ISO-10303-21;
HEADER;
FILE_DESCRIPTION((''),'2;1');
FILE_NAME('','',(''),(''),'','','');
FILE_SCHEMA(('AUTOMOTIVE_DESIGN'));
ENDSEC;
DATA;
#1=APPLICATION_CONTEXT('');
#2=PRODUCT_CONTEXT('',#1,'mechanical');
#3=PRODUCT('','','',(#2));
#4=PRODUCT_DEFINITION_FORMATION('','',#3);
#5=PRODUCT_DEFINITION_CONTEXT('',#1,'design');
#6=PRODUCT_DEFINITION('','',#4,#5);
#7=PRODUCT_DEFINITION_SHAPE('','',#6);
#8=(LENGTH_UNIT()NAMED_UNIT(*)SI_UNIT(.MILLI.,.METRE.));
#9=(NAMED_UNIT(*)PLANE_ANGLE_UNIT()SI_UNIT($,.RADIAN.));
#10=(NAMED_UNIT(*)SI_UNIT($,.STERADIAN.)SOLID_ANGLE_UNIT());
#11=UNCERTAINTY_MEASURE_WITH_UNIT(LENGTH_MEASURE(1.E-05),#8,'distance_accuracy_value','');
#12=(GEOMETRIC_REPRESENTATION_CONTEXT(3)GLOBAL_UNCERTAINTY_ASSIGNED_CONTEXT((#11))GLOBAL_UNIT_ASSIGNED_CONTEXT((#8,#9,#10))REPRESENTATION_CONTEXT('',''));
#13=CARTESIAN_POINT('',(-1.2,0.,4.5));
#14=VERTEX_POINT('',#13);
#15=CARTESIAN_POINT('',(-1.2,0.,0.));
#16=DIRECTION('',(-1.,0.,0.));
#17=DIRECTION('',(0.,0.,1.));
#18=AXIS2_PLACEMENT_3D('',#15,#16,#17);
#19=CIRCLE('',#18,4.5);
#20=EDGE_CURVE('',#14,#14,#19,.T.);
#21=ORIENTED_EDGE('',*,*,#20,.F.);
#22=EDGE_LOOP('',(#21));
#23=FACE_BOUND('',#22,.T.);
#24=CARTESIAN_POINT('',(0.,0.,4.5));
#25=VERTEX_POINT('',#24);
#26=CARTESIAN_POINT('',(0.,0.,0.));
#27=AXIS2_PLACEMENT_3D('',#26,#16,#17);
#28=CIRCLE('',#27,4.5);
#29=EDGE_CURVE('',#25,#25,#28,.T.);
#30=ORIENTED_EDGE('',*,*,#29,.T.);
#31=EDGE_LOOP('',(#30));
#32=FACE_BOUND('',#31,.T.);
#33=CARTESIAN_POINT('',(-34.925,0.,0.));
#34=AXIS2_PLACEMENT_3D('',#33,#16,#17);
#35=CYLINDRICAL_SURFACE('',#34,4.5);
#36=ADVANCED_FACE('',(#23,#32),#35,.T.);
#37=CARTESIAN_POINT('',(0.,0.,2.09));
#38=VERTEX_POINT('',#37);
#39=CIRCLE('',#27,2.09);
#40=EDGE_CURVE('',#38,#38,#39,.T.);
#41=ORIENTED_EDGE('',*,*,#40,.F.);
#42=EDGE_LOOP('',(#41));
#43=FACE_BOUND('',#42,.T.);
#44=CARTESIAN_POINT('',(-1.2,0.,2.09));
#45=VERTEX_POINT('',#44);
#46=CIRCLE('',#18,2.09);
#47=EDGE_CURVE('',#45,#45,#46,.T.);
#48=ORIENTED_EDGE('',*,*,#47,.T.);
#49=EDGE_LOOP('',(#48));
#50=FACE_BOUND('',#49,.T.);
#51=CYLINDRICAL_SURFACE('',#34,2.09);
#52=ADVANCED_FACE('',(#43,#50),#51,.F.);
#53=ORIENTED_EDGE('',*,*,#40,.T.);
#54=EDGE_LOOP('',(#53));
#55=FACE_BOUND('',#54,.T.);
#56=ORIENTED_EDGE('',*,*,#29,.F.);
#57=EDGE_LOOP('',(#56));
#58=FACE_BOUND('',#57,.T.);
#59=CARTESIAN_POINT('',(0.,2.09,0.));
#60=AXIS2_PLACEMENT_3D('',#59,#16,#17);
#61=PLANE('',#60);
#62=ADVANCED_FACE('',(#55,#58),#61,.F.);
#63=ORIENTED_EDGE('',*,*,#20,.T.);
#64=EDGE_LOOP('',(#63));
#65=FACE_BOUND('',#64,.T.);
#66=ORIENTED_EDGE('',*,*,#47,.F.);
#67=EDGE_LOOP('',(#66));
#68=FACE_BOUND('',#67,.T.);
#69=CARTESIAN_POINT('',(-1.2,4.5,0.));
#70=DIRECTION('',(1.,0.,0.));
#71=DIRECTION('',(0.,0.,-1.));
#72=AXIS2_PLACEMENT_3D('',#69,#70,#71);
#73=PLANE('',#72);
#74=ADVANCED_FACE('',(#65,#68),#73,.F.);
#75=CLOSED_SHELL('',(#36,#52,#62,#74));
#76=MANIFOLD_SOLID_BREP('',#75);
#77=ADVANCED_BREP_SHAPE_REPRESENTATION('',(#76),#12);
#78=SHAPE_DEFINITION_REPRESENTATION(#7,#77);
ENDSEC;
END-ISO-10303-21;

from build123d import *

# Parameters (mm, degrees)
SKETCH1_W = 1.2
SKETCH1_H = 2.41


with BuildPart() as part:
    # Sketch1 → Base-Revolve (revolve)
    with BuildSketch(Plane.XY):
        with Locations((-0.6, 3.295)):
            Rectangle(SKETCH1_W, SKETCH1_H)
    revolve(axis=Axis((-34.925, 0, 0), (1, 0, 0)))


solid = part.part
